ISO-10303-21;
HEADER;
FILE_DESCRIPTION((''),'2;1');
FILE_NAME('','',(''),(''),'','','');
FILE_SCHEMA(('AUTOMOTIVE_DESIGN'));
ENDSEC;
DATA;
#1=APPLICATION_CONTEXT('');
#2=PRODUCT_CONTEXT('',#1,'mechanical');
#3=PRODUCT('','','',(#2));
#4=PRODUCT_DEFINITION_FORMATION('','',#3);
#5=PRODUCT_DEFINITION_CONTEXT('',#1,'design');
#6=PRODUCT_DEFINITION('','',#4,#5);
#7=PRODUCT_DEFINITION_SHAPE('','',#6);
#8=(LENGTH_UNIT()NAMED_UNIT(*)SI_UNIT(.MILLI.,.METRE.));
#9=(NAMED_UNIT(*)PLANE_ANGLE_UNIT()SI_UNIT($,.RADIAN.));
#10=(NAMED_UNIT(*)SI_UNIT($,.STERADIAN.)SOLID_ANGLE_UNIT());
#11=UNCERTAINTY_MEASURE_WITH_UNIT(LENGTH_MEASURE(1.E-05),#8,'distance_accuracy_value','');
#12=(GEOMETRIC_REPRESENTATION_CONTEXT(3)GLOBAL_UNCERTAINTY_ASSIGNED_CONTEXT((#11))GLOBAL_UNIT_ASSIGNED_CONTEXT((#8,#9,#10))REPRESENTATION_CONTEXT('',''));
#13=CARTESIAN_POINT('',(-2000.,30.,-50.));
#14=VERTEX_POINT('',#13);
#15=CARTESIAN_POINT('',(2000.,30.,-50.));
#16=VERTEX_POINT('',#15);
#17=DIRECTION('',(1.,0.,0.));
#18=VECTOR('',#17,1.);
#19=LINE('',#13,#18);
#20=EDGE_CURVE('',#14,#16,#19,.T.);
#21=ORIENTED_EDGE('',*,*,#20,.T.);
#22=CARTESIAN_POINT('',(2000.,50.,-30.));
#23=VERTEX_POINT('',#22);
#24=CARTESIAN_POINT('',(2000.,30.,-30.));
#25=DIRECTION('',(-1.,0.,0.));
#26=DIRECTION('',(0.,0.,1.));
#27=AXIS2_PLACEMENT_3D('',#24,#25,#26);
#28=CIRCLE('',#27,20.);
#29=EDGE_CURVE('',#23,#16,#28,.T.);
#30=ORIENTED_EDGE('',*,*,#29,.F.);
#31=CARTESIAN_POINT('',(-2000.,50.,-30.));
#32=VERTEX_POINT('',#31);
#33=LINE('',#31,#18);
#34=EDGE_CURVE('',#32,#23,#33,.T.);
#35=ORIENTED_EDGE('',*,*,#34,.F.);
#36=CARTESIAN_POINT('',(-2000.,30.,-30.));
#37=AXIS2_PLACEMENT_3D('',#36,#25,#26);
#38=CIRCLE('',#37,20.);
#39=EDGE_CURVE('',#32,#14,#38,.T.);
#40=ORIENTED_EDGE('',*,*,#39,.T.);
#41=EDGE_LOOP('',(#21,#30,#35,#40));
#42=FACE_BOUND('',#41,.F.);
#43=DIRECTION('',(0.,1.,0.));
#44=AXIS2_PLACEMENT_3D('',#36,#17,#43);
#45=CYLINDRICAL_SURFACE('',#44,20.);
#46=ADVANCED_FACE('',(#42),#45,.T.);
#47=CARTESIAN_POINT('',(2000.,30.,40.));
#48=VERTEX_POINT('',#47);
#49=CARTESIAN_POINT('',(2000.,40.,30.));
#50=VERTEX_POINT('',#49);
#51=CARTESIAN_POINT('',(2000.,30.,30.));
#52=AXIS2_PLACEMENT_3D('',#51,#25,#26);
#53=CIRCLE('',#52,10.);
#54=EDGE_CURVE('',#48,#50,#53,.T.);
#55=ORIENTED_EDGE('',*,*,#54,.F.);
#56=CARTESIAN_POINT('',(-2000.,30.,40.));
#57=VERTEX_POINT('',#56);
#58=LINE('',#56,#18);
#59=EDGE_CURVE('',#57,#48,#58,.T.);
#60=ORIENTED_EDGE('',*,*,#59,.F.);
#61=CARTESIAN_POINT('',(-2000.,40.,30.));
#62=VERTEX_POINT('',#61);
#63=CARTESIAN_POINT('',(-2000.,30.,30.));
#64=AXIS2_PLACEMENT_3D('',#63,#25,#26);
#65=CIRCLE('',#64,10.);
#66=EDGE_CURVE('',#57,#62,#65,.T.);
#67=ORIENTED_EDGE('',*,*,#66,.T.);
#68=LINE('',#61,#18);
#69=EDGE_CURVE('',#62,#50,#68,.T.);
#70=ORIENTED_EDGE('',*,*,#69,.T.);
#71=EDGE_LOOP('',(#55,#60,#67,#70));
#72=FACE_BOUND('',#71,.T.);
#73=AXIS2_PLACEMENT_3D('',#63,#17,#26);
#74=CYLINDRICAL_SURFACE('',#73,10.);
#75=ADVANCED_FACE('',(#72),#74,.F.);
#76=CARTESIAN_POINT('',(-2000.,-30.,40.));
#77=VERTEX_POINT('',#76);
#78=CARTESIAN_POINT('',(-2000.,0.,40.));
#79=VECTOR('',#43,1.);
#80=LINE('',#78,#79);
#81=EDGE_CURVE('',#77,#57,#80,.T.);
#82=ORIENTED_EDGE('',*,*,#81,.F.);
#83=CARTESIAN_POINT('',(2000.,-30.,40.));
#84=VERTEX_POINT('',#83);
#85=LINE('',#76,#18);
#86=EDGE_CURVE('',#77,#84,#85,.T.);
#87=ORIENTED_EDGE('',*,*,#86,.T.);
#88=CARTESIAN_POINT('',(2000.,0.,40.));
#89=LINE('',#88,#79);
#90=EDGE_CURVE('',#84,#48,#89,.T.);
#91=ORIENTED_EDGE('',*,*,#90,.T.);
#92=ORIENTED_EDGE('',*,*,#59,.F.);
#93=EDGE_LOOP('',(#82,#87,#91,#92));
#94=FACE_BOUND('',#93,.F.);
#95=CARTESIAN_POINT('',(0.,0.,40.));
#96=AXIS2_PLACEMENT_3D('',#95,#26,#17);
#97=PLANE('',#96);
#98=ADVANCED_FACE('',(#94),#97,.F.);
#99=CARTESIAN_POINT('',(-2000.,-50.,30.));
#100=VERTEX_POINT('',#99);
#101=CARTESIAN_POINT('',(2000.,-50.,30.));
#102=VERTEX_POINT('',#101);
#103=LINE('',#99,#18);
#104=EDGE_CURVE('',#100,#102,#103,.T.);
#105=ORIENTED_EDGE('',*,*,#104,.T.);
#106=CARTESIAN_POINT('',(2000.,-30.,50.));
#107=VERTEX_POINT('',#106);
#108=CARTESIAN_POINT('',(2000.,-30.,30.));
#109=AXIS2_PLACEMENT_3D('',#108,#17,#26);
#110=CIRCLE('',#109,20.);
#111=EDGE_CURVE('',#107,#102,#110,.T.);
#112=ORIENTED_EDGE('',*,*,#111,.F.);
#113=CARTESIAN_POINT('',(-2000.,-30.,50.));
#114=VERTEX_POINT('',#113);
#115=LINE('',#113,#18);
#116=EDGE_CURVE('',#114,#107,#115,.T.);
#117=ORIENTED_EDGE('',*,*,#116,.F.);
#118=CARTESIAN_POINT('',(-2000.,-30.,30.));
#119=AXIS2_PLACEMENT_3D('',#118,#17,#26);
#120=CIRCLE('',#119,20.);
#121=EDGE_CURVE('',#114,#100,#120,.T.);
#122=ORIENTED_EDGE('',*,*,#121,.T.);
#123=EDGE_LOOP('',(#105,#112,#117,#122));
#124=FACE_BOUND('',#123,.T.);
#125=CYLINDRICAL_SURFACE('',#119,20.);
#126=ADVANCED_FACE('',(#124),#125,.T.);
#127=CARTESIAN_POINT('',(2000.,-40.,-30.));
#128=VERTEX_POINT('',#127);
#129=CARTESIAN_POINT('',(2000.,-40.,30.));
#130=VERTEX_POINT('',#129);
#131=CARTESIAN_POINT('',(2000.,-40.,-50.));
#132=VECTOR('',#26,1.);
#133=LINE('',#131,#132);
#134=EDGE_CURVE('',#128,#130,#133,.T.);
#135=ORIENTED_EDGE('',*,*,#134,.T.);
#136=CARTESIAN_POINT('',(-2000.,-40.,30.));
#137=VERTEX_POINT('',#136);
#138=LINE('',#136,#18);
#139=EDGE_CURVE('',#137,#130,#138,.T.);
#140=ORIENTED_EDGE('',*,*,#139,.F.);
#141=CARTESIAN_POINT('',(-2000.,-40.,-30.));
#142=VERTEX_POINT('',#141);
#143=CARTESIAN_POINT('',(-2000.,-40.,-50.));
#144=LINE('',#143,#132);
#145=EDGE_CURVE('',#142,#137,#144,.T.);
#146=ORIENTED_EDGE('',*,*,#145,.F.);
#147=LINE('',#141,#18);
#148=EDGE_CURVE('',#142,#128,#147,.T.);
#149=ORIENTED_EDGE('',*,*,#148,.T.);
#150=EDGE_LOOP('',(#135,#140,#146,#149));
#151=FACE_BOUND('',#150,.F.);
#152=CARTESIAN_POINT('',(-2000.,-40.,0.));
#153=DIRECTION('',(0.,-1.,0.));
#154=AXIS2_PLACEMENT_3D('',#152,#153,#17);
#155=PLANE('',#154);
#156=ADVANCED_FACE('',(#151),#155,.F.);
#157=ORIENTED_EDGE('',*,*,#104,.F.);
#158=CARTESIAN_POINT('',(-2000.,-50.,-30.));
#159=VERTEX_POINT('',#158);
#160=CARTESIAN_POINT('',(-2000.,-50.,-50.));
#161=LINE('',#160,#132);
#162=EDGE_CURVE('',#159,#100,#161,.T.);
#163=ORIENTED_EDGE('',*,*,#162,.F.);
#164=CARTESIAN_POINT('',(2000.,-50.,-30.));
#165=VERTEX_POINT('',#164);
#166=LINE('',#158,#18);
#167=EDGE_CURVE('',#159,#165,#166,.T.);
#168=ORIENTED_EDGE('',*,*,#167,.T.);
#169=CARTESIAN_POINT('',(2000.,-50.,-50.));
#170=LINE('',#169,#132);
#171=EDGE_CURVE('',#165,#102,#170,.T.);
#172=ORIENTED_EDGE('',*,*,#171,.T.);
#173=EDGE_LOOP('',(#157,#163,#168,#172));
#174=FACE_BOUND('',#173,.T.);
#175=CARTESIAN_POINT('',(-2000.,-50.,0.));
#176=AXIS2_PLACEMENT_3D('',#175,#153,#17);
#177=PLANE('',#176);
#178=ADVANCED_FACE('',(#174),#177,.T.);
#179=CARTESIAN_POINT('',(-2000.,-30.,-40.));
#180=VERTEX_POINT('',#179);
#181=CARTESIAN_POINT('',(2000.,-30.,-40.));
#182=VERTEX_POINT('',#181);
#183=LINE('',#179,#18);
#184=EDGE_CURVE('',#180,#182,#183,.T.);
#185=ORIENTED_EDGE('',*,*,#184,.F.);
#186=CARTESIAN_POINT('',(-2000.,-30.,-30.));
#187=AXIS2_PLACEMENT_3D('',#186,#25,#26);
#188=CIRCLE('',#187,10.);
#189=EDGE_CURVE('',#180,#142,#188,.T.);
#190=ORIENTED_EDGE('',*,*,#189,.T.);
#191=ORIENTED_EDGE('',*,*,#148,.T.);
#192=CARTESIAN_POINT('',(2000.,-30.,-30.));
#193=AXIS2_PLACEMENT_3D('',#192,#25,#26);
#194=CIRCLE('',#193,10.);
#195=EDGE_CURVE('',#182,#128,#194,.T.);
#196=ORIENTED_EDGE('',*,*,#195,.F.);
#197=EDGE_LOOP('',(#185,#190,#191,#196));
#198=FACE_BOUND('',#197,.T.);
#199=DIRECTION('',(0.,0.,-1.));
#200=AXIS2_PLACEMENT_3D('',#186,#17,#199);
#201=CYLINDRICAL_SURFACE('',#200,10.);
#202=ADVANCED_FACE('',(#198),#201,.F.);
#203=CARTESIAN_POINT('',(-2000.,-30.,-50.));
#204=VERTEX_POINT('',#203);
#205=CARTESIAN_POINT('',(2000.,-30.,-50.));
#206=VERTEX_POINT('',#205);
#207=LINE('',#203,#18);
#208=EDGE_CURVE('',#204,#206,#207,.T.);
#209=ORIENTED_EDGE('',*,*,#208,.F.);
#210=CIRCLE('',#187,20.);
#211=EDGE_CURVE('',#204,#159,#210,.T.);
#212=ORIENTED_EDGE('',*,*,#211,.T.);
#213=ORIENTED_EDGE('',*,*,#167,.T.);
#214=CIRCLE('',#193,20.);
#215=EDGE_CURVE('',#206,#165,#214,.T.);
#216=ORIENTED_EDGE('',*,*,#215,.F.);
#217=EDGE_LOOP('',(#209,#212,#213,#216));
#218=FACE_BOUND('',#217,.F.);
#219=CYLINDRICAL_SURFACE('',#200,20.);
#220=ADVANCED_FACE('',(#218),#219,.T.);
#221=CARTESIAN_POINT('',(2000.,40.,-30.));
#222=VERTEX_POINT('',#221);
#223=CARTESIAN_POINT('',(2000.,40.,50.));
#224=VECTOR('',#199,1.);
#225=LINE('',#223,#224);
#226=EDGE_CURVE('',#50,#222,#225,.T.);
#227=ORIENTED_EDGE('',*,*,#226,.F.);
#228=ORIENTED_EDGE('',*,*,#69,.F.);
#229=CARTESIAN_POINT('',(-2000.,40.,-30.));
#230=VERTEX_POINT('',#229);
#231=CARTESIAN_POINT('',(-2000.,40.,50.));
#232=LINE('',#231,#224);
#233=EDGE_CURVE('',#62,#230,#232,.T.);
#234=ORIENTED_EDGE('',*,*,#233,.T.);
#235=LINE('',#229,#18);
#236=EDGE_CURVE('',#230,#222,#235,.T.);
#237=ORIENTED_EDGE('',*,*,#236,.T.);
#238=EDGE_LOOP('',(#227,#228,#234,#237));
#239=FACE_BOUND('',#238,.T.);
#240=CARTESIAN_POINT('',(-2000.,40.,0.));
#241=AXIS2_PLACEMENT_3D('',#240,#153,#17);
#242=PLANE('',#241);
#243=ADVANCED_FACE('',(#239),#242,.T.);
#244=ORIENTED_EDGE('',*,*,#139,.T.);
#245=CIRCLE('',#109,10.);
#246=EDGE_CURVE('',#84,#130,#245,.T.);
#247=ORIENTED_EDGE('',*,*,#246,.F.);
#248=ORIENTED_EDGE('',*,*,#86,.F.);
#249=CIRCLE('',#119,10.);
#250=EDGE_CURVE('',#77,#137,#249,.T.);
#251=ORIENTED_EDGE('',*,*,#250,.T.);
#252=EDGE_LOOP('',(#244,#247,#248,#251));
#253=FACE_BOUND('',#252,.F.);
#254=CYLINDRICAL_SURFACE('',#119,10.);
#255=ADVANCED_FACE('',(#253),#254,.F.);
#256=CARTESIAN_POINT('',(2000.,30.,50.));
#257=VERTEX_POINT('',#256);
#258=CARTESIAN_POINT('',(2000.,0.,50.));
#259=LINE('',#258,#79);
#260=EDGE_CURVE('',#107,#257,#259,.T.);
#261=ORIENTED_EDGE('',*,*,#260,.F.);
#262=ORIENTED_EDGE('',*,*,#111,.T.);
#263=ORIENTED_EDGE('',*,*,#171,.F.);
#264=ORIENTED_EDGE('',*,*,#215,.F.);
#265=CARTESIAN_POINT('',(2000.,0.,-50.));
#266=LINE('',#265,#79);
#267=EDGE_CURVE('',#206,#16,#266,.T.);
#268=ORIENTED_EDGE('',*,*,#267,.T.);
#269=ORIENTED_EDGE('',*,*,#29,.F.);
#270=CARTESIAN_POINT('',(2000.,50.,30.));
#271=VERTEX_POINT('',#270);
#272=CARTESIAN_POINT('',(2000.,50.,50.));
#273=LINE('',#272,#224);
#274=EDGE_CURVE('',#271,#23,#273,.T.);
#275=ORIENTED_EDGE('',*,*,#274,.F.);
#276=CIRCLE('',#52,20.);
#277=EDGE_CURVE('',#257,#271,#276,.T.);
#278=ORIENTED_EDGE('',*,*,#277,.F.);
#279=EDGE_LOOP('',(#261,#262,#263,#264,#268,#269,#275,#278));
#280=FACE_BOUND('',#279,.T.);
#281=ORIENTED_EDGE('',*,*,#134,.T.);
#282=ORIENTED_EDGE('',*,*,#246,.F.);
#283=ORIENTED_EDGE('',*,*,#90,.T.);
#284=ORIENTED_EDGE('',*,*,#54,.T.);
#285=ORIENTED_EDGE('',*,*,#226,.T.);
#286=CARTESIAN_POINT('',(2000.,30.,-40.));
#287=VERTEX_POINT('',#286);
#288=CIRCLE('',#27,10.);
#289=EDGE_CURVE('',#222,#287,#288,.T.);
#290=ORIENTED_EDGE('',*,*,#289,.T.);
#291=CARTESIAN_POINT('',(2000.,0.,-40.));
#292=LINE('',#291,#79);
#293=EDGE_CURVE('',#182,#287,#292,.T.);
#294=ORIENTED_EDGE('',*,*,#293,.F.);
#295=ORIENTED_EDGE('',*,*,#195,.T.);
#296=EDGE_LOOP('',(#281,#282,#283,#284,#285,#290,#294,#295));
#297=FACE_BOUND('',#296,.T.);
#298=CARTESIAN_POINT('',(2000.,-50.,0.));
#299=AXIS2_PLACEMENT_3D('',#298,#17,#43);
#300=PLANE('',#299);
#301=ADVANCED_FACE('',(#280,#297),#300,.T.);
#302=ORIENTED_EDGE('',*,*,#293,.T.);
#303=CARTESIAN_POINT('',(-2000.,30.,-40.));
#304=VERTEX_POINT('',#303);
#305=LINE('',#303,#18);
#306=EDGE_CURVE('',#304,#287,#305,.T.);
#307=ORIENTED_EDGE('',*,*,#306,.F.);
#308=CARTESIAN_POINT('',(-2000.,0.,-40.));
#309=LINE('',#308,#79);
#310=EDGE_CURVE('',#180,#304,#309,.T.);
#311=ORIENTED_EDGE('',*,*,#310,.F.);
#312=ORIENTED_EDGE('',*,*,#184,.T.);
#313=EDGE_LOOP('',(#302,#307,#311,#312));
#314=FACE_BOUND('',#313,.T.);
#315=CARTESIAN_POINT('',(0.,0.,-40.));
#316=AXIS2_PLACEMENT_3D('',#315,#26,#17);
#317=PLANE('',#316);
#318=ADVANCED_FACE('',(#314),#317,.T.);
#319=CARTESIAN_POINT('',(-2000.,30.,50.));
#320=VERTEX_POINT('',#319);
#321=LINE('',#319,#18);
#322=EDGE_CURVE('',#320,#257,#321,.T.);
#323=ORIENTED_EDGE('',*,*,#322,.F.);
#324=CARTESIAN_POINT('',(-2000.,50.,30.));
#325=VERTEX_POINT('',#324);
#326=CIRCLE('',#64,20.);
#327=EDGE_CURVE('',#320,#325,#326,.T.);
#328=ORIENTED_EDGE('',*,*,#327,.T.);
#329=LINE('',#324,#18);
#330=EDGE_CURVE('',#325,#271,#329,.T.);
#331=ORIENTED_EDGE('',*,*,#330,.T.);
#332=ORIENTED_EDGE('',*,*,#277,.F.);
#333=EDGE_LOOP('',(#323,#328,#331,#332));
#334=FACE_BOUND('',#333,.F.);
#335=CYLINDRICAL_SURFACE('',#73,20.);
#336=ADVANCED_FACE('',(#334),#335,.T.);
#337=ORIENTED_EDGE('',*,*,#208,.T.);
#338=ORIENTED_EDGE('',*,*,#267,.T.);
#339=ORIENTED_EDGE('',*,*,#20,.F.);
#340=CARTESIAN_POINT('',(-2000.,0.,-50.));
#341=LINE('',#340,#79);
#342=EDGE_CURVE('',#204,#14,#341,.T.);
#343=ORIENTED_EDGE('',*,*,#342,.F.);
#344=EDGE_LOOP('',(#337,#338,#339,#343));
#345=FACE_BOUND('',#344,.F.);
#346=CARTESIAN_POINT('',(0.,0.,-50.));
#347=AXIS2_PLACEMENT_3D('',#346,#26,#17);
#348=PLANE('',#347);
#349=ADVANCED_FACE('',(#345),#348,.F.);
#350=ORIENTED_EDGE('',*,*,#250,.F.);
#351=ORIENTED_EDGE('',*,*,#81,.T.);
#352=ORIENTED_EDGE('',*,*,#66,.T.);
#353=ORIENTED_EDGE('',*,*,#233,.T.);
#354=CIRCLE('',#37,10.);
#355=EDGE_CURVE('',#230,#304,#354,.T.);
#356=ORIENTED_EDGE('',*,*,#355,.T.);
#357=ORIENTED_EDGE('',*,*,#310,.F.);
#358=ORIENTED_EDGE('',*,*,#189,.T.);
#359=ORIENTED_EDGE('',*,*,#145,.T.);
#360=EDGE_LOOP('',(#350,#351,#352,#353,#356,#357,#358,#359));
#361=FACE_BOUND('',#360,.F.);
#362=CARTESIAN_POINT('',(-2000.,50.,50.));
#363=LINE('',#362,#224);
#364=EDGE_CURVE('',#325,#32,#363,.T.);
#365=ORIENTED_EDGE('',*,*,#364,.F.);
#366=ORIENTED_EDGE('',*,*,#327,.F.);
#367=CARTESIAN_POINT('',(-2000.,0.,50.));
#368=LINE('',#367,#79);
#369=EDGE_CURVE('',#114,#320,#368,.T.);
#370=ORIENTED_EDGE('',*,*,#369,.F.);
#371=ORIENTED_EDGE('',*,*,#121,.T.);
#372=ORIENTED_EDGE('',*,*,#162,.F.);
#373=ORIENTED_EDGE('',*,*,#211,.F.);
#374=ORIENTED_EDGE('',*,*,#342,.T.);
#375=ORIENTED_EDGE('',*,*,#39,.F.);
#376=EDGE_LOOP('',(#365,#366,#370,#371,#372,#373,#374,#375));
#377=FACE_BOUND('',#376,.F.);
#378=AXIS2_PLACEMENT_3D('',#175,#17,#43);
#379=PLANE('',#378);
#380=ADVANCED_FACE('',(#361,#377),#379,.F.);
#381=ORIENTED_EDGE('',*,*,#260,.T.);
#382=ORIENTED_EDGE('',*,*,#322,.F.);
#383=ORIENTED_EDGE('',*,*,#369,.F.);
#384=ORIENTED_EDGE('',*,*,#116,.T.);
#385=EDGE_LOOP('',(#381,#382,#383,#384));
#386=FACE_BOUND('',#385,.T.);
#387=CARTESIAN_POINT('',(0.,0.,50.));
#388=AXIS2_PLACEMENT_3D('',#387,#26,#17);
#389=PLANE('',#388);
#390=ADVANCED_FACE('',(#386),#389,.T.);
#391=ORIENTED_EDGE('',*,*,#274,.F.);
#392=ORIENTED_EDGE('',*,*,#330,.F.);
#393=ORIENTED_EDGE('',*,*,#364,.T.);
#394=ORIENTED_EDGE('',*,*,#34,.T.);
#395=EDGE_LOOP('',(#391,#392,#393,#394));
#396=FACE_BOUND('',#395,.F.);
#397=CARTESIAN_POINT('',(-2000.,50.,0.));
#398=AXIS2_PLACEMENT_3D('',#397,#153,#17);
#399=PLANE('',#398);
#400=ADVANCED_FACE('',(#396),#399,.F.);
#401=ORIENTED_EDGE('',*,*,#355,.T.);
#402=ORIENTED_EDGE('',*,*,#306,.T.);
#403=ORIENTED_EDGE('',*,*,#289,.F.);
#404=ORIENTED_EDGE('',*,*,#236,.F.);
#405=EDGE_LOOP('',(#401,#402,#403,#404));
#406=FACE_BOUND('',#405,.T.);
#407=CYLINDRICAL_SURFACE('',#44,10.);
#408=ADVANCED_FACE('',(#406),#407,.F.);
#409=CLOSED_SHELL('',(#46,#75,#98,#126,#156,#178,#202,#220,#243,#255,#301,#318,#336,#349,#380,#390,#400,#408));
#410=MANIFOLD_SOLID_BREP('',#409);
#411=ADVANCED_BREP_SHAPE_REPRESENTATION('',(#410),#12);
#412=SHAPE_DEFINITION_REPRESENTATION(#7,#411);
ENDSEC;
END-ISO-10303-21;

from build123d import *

# Parameters (mm, degrees)
F0_W     = 4000
F0_H     = 100
F1_DEPTH = 50
F2_R     = 20
F3_T     = -10


with BuildPart() as f1:
    # F0 (on Top) → F1 (new body, symmetric)
    with BuildSketch(Plane.XY):
        Rectangle(F0_W, F0_H)
    extrude(amount=F1_DEPTH, both=True)

    # F2
    f2_edges = [f1.edges().sort_by_distance(p)[0] for p in [
        (0, 50, 50),
        (0, -50, -50),
        (0, -50, 50),
        (0, 50, -50),
    ]]
    fillet(f2_edges, radius=F2_R)

    # F3
    f3_openings = [f1.faces().sort_by_distance(p)[0] for p in [
        (2000, 0, 0),
        (-2000, 0, 0),
    ]]
    offset(amount=F3_T, openings=f3_openings)

    # F4: F1 across plane


with BuildPart() as f1_1:
    add(f1.part)
    add(f1.part.mirror(Plane.YZ))


solid = f1_1.part
